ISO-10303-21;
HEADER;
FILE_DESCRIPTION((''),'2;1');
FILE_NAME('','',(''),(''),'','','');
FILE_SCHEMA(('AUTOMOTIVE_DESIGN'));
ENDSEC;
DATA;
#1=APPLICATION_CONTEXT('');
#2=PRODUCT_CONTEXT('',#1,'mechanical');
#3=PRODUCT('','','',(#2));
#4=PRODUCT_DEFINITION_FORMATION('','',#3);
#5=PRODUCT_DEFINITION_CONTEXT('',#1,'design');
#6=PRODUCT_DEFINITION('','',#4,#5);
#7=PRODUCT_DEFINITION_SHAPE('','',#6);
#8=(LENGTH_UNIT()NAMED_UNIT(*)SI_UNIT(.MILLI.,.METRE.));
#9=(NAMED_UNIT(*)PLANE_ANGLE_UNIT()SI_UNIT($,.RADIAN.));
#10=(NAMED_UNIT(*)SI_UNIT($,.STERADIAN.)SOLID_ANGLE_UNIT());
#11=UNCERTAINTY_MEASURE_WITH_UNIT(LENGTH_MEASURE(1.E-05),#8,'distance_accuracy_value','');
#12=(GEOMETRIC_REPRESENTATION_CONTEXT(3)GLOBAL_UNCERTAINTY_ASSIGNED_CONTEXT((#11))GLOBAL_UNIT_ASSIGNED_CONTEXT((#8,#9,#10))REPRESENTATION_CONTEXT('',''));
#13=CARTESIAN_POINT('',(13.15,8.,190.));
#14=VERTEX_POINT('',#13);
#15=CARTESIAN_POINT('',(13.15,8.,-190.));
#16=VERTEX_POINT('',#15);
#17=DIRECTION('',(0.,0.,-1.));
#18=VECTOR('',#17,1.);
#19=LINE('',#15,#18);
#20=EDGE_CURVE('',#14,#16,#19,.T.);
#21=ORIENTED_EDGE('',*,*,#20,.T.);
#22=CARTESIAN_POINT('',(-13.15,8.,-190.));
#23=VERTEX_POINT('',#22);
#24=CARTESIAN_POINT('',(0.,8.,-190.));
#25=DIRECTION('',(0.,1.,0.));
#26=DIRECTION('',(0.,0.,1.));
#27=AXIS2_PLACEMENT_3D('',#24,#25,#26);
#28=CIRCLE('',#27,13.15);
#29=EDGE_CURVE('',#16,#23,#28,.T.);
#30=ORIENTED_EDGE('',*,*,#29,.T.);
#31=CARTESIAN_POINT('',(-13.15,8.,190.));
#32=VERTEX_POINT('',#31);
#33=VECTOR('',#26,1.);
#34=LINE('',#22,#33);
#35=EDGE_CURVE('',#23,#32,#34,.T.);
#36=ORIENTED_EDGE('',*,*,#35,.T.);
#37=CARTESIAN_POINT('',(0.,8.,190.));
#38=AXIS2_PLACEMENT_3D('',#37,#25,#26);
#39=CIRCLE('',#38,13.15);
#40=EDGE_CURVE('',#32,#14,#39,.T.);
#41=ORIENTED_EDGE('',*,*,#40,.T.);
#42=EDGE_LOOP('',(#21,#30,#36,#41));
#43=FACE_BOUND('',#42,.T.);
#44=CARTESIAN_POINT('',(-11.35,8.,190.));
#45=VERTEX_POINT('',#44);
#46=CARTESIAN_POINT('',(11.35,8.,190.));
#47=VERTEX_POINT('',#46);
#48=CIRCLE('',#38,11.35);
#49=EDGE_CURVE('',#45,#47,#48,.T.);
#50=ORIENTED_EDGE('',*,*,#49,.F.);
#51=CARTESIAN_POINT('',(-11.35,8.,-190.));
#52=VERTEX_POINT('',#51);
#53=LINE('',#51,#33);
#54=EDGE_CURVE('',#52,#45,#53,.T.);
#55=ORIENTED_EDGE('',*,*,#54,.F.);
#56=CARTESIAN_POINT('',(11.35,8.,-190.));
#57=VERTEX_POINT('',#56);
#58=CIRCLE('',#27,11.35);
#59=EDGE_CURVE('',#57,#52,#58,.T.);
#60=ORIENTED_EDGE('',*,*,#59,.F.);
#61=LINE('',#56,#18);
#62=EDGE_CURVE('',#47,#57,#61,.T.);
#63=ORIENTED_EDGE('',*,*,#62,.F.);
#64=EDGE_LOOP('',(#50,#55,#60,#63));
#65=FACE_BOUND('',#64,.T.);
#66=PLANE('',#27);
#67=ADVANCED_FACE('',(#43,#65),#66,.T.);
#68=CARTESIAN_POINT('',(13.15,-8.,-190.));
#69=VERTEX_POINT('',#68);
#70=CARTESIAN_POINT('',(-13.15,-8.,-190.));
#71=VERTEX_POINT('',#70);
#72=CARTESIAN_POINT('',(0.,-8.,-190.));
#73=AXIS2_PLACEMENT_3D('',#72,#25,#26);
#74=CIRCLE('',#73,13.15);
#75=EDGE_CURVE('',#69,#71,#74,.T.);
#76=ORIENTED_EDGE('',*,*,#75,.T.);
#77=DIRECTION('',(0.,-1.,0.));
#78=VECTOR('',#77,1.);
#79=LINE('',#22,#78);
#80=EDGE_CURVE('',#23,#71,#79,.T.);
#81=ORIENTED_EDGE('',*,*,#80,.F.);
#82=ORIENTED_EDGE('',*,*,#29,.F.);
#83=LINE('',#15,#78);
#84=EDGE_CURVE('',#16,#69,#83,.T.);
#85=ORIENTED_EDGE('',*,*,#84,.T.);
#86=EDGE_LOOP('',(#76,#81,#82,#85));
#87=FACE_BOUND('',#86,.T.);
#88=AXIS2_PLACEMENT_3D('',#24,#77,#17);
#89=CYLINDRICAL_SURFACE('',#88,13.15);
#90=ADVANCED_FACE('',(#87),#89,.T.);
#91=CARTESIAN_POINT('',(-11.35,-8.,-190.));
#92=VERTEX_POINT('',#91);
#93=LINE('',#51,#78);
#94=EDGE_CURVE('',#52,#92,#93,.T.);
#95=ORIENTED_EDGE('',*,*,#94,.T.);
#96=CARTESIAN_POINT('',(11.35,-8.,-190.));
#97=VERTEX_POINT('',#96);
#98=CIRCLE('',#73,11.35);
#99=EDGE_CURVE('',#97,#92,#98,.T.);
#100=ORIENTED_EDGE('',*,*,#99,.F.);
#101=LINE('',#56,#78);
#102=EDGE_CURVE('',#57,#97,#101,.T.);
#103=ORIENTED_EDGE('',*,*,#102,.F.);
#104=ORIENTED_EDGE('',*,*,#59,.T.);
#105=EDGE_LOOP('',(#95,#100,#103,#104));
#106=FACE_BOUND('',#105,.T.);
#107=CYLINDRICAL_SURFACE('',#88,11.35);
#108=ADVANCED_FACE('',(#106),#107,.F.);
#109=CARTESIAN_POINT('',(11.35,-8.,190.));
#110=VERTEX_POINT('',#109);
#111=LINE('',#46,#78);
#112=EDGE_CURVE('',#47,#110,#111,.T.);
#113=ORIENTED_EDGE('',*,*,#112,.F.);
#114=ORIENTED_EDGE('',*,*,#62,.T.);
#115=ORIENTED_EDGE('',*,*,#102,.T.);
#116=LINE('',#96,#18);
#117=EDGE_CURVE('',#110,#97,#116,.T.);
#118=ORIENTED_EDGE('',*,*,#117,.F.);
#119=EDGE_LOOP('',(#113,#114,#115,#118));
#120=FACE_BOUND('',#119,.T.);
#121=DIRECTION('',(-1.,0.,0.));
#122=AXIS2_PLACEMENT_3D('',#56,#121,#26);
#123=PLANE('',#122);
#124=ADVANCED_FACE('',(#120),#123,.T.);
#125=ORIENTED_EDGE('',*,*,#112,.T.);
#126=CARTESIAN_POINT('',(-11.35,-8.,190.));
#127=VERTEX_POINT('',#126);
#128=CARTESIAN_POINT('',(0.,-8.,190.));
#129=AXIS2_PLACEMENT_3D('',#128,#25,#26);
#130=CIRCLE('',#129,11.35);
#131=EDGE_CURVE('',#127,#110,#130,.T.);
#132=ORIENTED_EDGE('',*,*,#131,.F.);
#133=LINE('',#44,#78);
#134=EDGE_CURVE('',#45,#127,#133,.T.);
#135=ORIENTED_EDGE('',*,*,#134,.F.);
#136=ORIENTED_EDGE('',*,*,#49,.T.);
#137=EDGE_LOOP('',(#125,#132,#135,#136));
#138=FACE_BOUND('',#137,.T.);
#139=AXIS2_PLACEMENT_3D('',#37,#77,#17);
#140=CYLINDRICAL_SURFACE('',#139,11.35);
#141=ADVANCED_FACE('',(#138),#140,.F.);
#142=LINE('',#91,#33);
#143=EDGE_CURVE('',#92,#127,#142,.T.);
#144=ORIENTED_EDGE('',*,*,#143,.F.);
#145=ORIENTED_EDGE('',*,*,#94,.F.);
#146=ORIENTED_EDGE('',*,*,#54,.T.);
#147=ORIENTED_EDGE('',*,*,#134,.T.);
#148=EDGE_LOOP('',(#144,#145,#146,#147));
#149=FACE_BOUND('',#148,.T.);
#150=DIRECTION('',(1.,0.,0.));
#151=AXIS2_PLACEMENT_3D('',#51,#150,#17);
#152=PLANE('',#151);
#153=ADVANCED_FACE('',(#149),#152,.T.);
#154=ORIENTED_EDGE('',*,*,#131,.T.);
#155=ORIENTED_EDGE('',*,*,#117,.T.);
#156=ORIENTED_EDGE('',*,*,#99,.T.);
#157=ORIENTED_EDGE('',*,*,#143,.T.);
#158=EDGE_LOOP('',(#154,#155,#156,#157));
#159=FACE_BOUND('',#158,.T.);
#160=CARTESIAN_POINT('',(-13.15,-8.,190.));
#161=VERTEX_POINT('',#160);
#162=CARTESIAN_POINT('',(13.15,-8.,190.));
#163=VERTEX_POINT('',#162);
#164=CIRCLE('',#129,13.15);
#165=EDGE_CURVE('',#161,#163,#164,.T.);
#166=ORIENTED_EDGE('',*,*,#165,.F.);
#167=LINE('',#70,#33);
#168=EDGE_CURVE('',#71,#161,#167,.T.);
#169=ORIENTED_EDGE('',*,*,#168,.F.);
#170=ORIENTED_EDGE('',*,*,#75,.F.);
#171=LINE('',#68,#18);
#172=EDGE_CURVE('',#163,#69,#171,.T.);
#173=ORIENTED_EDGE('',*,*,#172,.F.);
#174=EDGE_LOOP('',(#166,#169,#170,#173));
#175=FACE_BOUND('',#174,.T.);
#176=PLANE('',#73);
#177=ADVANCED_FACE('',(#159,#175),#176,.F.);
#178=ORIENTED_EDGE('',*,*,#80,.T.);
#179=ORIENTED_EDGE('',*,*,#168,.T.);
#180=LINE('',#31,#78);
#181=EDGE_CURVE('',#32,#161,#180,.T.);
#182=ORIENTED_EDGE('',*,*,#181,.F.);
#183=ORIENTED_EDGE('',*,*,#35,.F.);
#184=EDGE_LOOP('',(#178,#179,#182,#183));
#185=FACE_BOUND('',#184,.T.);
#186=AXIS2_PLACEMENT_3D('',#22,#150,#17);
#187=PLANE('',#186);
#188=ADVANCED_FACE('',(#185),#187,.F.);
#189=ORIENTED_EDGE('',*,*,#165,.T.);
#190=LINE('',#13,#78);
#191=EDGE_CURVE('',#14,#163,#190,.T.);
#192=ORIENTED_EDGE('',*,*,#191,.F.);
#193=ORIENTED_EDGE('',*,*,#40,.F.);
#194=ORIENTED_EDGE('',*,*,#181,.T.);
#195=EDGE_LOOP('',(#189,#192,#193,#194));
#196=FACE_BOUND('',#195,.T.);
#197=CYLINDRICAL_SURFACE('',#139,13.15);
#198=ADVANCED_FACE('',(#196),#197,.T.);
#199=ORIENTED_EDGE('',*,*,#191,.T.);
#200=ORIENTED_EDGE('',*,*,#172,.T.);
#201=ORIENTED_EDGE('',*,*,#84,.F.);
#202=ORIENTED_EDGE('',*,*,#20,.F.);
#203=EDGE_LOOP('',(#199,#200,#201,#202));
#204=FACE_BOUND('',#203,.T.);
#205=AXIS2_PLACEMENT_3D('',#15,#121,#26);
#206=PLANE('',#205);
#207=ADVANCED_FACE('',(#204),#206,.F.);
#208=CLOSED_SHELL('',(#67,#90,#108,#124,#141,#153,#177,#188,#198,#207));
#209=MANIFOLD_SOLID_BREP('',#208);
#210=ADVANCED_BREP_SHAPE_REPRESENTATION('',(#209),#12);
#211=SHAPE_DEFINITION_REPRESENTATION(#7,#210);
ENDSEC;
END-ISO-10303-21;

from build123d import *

# Parameters (mm, degrees)
EXTRUDE_1_DEPTH = 8


with BuildPart() as part:
    # 草图1 → 凸台-拉伸1 (new, symmetric)
    with BuildSketch(Plane(origin=(0, 0, 0), x_dir=(1, 0, 0), z_dir=(0, 1, 0))):
        with BuildLine():
            Line((13.15, 190), (13.15, -190))
            ThreePointArc((13.15, -190), (0, -203.15), (-13.15, -190))
            Line((-13.15, -190), (-13.15, 190))
            ThreePointArc((-13.15, 190), (0, 203.15), (13.15, 190))
        make_face()
        with BuildLine():
            Line((11.35, 190), (11.35, -190))
            ThreePointArc((11.35, -190), (0, -201.35), (-11.35, -190))
            Line((-11.35, -190), (-11.35, 190))
            ThreePointArc((-11.35, 190), (0, 201.35), (11.35, 190))
        make_face(mode=Mode.SUBTRACT)
    extrude(amount=EXTRUDE_1_DEPTH, both=True)


solid = part.part
